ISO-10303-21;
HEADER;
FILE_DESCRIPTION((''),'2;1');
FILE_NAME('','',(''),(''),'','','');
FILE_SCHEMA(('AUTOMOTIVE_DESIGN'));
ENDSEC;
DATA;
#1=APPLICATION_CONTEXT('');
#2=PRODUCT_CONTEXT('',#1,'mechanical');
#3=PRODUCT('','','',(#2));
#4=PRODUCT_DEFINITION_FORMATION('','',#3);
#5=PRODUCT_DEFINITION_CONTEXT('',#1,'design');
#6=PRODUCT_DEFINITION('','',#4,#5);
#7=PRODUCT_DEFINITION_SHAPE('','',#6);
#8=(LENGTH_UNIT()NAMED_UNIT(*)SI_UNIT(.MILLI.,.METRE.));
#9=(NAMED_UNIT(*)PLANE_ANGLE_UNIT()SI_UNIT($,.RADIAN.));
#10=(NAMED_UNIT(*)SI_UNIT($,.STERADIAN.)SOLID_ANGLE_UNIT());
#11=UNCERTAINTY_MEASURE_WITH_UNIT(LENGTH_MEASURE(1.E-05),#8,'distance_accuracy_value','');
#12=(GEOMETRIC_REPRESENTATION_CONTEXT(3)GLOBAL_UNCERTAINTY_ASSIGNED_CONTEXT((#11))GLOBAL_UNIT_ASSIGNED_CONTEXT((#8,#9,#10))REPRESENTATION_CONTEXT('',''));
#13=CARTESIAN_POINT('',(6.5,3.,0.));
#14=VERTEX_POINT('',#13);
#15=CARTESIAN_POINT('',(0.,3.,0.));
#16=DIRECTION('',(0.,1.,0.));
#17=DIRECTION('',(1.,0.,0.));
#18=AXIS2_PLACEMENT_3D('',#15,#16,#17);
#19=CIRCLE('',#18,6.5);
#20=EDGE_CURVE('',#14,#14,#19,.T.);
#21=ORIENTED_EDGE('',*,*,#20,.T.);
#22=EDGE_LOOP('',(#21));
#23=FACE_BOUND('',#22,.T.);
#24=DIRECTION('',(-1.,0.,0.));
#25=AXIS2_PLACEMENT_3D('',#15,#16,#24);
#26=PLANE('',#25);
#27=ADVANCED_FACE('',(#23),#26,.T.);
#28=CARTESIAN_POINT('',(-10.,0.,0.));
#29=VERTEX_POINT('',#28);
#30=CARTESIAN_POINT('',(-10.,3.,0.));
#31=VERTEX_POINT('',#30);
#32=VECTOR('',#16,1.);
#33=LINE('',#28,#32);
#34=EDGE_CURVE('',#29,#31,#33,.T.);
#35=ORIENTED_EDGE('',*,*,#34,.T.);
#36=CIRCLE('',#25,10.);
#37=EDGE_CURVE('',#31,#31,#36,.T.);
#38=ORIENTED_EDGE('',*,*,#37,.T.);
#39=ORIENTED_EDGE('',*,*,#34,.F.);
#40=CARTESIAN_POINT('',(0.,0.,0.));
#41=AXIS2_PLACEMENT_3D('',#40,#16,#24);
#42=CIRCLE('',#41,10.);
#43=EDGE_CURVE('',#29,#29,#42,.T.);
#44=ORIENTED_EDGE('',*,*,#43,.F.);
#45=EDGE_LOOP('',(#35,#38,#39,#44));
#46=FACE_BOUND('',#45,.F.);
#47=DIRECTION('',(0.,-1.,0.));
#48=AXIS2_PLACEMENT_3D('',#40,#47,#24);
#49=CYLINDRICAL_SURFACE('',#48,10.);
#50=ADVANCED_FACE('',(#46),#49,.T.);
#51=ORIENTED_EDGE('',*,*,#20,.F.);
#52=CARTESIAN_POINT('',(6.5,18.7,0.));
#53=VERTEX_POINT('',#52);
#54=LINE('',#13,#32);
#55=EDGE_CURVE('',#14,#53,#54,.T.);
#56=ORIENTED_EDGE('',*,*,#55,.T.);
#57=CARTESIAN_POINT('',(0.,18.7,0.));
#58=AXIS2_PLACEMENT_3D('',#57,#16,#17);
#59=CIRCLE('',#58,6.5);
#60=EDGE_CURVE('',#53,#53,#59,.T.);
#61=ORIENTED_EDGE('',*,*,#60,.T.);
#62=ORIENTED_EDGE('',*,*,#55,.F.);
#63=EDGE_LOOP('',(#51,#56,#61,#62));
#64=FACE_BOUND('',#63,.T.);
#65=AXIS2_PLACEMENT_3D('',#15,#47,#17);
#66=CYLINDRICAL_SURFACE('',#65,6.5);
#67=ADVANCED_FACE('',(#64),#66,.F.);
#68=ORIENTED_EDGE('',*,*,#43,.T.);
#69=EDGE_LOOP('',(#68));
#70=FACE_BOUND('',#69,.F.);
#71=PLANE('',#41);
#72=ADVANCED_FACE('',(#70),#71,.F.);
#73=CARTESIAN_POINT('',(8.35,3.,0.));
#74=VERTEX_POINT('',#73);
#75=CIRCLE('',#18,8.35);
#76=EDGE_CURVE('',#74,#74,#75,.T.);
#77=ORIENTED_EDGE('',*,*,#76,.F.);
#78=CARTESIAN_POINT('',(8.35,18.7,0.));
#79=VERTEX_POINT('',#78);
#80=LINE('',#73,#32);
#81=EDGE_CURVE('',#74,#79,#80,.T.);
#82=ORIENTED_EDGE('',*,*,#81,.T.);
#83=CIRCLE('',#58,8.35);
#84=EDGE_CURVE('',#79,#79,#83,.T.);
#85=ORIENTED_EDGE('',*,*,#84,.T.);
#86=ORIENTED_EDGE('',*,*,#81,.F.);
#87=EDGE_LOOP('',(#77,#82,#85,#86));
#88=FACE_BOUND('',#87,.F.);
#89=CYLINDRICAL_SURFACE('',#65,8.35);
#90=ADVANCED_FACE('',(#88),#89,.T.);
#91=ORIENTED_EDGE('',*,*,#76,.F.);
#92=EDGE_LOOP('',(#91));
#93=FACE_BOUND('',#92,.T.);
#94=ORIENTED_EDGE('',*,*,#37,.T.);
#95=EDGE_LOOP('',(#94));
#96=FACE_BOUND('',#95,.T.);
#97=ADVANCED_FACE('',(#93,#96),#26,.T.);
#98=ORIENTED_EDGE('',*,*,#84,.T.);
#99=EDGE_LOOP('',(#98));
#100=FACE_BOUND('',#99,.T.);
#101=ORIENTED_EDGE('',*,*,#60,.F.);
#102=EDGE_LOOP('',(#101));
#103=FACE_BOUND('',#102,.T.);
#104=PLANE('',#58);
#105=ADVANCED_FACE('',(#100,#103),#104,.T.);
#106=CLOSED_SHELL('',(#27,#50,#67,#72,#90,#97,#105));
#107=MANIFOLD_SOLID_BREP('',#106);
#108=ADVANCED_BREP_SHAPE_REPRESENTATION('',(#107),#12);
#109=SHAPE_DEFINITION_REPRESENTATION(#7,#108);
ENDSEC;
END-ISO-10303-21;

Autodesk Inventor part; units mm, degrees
ref_plane "YZ Plane" through (0, 0, 0) normal (1, 0, 0) x (0, 1, 0)
ref_plane "XZ Plane" through (0, 0, 0) normal (0, 1, 0) x (-1, 0, 0)
ref_plane "XY Plane" through (0, 0, 0) normal (0, 0, 1) x (1, 0, 0)
sketch "Esboço1" plane through (0, 0, 0) normal (0, 1, 0) x (-1, 0, 0)
  circle A0 centre (0, 0) radius 10
  dimension "d0" = 20
extrude "Extrusão1" add sketch "Esboço1" along normal blind 3
sketch "Esboço2" plane through (0, 3, 0) normal (0, 1, 0) x (1, 0, 0)
  circle A0 centre (0, 0) radius 8.35
  circle A1 centre (0, 0) radius 6.5
  dimension "d3" = 16.7
  dimension "d4" = 13
extrude "Extrusão2" add sketch "Esboço2" along normal blind 15.7
properties part number "rosca1"
